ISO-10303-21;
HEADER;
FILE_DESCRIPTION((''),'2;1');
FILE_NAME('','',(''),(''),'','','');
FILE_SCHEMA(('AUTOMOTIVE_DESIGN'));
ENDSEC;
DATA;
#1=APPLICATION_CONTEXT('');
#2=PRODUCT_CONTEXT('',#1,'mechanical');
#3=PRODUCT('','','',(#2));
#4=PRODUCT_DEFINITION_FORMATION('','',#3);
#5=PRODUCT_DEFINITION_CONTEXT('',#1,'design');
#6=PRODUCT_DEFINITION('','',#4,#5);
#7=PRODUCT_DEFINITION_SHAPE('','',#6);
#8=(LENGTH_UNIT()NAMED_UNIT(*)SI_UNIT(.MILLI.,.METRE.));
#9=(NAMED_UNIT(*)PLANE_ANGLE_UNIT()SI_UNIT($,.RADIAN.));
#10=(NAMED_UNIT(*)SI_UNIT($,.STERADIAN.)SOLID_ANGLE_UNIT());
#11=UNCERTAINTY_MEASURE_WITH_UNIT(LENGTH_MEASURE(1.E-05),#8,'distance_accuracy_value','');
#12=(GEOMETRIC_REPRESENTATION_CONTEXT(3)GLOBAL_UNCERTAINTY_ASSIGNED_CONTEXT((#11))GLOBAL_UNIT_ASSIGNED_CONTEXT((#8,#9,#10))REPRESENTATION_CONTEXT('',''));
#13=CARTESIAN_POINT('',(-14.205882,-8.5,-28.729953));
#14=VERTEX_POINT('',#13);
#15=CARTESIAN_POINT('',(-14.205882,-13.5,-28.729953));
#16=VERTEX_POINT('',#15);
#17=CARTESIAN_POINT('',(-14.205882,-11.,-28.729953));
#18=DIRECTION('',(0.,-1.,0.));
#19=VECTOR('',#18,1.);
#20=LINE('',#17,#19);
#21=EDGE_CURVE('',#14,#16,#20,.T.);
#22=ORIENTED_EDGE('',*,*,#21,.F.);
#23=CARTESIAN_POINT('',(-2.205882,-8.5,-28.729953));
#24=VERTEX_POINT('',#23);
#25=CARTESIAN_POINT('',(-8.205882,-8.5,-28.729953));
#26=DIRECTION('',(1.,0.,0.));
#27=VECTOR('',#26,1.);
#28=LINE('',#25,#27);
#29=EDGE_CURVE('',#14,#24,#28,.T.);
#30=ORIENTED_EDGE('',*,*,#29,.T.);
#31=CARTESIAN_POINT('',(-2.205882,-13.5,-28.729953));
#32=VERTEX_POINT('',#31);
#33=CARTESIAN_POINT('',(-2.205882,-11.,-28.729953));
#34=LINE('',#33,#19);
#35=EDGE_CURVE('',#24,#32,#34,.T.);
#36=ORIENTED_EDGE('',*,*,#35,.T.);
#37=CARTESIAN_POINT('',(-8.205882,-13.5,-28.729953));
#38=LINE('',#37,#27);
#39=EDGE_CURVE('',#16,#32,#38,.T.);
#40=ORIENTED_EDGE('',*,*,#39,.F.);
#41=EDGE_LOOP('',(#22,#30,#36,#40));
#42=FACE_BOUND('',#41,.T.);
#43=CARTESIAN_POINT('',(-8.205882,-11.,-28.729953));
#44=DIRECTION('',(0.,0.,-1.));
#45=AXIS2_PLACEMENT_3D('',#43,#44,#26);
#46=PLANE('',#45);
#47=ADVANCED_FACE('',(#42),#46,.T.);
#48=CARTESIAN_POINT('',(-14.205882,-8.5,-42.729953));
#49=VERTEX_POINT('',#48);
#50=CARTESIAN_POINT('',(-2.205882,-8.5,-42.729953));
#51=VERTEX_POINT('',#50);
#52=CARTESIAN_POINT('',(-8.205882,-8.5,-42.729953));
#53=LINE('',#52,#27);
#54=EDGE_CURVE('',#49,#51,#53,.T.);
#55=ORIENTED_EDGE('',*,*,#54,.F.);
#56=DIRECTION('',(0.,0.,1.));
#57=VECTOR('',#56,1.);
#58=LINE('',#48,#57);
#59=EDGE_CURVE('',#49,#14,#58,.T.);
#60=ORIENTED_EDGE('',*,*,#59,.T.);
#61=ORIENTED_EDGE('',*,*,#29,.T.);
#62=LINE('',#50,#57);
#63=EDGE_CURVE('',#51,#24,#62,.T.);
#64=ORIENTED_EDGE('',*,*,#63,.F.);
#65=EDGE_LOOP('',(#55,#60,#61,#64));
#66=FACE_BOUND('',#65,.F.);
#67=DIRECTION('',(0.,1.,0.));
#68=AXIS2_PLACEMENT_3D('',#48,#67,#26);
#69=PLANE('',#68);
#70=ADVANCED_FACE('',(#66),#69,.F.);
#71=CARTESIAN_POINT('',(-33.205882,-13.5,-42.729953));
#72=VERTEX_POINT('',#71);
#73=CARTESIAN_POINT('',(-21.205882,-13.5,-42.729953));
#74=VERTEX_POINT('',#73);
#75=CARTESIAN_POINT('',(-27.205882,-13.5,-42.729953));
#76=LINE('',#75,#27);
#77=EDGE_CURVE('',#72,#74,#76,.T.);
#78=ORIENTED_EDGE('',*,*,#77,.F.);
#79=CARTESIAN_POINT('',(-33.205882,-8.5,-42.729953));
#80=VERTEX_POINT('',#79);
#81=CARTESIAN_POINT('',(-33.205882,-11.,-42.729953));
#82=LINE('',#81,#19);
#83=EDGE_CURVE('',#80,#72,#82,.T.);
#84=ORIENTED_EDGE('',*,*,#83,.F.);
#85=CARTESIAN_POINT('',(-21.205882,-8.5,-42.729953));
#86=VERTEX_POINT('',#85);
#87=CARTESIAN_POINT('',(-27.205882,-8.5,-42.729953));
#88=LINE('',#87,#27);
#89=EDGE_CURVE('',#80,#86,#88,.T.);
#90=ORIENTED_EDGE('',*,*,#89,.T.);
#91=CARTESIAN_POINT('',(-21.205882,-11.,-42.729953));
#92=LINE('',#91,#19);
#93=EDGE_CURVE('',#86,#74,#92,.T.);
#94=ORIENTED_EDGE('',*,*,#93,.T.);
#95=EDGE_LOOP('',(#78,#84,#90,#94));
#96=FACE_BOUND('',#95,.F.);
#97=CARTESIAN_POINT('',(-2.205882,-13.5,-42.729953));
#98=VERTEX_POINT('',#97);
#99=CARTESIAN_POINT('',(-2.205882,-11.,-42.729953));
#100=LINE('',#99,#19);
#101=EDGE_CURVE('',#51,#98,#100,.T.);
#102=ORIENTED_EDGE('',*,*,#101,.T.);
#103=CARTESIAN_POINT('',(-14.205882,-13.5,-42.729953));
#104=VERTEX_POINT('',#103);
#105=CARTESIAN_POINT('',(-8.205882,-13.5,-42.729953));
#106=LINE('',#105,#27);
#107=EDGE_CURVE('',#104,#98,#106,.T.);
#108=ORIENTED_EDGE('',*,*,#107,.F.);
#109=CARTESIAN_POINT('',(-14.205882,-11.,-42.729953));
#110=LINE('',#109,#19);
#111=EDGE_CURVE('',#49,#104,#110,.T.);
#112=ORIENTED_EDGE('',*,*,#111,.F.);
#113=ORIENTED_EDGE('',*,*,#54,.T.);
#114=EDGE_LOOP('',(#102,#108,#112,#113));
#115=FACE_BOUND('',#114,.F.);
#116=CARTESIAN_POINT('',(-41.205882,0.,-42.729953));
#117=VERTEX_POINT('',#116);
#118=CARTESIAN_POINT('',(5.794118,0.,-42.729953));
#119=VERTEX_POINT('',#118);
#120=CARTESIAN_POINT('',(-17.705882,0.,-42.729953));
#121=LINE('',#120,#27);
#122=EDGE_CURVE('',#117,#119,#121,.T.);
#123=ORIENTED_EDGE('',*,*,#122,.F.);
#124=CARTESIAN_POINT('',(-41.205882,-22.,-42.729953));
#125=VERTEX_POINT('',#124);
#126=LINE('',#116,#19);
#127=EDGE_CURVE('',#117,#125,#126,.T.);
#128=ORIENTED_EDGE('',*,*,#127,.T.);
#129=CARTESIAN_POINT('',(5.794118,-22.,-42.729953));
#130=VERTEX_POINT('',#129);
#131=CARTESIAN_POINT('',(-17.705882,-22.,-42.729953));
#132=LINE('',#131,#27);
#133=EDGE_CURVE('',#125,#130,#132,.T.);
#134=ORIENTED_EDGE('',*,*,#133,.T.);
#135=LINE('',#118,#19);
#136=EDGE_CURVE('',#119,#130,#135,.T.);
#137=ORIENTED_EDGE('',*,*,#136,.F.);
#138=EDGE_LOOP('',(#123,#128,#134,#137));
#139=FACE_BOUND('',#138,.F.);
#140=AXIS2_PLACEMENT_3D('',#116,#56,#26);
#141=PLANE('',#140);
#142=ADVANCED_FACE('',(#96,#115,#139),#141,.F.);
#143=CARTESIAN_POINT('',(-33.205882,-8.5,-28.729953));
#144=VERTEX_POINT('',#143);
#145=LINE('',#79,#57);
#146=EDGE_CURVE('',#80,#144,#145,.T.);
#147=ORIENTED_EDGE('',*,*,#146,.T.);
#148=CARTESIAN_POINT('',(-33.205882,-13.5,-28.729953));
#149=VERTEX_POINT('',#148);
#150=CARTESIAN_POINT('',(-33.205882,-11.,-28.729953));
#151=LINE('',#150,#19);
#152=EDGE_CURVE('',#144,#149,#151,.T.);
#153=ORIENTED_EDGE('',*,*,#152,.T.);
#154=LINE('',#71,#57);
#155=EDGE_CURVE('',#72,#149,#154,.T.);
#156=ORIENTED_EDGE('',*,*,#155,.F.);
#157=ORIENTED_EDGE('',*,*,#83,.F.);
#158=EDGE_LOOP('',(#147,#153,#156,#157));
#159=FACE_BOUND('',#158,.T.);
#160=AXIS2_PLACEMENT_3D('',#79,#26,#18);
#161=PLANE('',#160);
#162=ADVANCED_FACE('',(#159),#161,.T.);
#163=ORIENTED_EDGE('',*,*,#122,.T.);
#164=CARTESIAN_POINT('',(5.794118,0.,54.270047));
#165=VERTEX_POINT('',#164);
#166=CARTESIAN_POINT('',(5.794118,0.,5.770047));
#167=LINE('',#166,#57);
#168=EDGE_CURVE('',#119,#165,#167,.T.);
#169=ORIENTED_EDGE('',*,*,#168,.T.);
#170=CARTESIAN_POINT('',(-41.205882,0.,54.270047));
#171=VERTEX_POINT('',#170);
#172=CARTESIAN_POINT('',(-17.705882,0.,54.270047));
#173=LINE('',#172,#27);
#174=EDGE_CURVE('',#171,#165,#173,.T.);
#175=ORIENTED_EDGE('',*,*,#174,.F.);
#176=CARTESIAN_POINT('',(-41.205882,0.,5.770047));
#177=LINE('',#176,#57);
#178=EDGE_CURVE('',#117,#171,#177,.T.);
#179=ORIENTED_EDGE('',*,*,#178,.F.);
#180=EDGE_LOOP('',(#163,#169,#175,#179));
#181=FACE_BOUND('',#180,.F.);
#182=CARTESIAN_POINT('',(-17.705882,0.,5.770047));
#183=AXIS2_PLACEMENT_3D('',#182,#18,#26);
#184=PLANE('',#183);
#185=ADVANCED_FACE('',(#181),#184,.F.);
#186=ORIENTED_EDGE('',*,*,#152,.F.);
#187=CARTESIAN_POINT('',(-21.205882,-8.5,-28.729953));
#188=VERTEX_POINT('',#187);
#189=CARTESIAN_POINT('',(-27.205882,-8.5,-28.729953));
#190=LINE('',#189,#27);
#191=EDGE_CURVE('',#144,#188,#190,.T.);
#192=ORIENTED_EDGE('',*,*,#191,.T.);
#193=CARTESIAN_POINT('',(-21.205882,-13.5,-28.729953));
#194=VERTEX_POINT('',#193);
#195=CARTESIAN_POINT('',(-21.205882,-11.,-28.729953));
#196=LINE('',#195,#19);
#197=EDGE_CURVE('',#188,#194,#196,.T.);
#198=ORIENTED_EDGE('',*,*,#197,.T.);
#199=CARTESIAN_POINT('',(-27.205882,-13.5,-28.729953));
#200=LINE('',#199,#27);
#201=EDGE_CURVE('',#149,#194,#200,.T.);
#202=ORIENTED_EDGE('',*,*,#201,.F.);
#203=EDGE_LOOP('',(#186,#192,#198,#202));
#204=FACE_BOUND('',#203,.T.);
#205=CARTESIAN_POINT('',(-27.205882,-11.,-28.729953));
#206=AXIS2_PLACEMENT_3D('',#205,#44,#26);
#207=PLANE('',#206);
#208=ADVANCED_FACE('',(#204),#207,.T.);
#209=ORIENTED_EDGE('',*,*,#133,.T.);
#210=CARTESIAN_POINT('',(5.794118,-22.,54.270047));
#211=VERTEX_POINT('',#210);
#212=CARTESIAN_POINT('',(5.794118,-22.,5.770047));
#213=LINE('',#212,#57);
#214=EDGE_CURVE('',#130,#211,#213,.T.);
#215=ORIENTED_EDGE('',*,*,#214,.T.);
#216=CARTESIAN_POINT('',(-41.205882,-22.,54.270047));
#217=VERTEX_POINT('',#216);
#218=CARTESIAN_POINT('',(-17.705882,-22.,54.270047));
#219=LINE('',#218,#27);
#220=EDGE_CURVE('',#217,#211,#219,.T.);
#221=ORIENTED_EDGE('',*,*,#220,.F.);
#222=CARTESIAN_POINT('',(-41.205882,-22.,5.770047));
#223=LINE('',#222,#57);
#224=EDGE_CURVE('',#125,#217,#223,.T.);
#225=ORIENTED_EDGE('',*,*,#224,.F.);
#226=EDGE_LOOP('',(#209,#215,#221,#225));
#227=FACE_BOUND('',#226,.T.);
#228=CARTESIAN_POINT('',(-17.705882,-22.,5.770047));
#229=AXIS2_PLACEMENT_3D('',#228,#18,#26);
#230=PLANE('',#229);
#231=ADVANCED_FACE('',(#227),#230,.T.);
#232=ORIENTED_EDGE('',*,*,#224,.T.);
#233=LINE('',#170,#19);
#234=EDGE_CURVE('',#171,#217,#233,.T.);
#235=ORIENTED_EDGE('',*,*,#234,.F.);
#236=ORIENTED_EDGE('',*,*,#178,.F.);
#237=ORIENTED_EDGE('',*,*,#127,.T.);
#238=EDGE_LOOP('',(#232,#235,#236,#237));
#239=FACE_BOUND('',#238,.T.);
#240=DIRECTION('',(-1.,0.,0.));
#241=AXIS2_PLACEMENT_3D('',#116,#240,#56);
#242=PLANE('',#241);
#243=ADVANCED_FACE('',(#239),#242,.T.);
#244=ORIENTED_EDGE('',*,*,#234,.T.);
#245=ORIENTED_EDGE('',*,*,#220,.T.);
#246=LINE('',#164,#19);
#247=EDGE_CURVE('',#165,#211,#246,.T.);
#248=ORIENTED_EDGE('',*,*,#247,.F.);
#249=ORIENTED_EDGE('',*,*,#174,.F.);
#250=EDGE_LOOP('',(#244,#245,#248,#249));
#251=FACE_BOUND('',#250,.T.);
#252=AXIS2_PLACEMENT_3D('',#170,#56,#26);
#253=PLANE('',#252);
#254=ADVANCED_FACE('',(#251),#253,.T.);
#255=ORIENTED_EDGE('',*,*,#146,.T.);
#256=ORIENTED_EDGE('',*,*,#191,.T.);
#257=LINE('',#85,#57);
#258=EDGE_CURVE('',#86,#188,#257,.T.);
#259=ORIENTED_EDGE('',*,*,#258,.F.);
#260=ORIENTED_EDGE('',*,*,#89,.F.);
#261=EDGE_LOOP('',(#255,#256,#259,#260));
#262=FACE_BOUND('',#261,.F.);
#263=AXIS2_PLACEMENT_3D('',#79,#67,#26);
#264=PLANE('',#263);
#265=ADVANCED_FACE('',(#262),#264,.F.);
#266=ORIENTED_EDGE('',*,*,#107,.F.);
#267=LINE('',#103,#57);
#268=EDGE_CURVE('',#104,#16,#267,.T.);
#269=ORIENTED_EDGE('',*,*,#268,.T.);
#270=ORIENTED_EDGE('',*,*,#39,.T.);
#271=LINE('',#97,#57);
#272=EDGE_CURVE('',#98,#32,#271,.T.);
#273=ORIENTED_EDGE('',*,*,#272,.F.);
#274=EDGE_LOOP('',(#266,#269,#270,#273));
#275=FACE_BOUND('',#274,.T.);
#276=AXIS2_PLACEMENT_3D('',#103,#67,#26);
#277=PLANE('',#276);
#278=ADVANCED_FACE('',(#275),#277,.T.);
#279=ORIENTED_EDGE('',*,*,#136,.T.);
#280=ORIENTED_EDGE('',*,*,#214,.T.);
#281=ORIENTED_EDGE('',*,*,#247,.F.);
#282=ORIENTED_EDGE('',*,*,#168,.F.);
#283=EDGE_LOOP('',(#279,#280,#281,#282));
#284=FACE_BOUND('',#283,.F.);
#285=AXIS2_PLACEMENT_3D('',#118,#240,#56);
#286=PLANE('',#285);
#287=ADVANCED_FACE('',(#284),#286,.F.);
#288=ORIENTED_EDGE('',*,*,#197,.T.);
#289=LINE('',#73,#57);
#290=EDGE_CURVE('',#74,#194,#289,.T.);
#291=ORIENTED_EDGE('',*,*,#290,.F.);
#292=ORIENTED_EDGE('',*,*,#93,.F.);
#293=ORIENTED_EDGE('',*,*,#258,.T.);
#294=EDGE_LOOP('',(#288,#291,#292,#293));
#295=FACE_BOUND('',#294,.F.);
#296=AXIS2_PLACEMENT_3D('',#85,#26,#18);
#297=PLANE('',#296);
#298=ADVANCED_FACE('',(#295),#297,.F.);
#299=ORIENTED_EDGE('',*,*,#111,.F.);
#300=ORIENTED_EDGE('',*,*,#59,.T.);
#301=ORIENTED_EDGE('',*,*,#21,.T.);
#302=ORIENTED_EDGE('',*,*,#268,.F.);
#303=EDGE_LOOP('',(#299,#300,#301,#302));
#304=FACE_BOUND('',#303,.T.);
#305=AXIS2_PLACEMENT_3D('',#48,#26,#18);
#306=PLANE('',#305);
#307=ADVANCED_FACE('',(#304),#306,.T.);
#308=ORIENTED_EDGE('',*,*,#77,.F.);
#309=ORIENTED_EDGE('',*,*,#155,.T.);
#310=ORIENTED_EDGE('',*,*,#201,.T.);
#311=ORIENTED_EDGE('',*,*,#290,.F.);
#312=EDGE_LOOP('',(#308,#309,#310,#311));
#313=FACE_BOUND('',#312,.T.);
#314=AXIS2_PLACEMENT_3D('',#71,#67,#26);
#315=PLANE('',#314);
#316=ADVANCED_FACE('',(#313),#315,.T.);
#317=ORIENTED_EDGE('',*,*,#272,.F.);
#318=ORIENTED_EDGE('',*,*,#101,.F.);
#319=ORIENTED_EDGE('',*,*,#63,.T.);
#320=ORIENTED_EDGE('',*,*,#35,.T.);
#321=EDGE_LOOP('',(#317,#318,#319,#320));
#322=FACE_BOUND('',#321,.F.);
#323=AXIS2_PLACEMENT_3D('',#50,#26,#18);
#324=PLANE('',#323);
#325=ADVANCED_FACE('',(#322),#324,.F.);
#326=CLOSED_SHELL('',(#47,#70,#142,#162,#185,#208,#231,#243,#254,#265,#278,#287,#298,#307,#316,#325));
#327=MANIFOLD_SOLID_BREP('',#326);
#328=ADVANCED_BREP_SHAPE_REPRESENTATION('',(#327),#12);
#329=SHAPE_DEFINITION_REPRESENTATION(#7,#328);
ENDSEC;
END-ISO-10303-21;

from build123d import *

# Parameters (mm, degrees)
F0_W     = 47
F0_H     = 97
F1_DEPTH = 22
F2_W     = 12
F2_H     = 5
F3_DEPTH = 14


with BuildPart() as f1:
    # F0 (on Front) → F1 (new body)
    with BuildSketch(Plane.XZ):
        with Locations((-17.705882, 5.770047)):
            Rectangle(F0_W, F0_H)
    extrude(amount=F1_DEPTH)

    # F2 (on face) → F3 (cut)
    with BuildSketch(Plane(origin=(0, 0, -42.729953), x_dir=(1, 0, 0), z_dir=(0, 0, -1))):
        with Locations((-27.205882, 11)):
            Rectangle(F2_W, F2_H)
        with Locations((-8.205882, 11)):
            Rectangle(F2_W, F2_H)
    extrude(amount=-F3_DEPTH, mode=Mode.SUBTRACT)


solid = f1.part
